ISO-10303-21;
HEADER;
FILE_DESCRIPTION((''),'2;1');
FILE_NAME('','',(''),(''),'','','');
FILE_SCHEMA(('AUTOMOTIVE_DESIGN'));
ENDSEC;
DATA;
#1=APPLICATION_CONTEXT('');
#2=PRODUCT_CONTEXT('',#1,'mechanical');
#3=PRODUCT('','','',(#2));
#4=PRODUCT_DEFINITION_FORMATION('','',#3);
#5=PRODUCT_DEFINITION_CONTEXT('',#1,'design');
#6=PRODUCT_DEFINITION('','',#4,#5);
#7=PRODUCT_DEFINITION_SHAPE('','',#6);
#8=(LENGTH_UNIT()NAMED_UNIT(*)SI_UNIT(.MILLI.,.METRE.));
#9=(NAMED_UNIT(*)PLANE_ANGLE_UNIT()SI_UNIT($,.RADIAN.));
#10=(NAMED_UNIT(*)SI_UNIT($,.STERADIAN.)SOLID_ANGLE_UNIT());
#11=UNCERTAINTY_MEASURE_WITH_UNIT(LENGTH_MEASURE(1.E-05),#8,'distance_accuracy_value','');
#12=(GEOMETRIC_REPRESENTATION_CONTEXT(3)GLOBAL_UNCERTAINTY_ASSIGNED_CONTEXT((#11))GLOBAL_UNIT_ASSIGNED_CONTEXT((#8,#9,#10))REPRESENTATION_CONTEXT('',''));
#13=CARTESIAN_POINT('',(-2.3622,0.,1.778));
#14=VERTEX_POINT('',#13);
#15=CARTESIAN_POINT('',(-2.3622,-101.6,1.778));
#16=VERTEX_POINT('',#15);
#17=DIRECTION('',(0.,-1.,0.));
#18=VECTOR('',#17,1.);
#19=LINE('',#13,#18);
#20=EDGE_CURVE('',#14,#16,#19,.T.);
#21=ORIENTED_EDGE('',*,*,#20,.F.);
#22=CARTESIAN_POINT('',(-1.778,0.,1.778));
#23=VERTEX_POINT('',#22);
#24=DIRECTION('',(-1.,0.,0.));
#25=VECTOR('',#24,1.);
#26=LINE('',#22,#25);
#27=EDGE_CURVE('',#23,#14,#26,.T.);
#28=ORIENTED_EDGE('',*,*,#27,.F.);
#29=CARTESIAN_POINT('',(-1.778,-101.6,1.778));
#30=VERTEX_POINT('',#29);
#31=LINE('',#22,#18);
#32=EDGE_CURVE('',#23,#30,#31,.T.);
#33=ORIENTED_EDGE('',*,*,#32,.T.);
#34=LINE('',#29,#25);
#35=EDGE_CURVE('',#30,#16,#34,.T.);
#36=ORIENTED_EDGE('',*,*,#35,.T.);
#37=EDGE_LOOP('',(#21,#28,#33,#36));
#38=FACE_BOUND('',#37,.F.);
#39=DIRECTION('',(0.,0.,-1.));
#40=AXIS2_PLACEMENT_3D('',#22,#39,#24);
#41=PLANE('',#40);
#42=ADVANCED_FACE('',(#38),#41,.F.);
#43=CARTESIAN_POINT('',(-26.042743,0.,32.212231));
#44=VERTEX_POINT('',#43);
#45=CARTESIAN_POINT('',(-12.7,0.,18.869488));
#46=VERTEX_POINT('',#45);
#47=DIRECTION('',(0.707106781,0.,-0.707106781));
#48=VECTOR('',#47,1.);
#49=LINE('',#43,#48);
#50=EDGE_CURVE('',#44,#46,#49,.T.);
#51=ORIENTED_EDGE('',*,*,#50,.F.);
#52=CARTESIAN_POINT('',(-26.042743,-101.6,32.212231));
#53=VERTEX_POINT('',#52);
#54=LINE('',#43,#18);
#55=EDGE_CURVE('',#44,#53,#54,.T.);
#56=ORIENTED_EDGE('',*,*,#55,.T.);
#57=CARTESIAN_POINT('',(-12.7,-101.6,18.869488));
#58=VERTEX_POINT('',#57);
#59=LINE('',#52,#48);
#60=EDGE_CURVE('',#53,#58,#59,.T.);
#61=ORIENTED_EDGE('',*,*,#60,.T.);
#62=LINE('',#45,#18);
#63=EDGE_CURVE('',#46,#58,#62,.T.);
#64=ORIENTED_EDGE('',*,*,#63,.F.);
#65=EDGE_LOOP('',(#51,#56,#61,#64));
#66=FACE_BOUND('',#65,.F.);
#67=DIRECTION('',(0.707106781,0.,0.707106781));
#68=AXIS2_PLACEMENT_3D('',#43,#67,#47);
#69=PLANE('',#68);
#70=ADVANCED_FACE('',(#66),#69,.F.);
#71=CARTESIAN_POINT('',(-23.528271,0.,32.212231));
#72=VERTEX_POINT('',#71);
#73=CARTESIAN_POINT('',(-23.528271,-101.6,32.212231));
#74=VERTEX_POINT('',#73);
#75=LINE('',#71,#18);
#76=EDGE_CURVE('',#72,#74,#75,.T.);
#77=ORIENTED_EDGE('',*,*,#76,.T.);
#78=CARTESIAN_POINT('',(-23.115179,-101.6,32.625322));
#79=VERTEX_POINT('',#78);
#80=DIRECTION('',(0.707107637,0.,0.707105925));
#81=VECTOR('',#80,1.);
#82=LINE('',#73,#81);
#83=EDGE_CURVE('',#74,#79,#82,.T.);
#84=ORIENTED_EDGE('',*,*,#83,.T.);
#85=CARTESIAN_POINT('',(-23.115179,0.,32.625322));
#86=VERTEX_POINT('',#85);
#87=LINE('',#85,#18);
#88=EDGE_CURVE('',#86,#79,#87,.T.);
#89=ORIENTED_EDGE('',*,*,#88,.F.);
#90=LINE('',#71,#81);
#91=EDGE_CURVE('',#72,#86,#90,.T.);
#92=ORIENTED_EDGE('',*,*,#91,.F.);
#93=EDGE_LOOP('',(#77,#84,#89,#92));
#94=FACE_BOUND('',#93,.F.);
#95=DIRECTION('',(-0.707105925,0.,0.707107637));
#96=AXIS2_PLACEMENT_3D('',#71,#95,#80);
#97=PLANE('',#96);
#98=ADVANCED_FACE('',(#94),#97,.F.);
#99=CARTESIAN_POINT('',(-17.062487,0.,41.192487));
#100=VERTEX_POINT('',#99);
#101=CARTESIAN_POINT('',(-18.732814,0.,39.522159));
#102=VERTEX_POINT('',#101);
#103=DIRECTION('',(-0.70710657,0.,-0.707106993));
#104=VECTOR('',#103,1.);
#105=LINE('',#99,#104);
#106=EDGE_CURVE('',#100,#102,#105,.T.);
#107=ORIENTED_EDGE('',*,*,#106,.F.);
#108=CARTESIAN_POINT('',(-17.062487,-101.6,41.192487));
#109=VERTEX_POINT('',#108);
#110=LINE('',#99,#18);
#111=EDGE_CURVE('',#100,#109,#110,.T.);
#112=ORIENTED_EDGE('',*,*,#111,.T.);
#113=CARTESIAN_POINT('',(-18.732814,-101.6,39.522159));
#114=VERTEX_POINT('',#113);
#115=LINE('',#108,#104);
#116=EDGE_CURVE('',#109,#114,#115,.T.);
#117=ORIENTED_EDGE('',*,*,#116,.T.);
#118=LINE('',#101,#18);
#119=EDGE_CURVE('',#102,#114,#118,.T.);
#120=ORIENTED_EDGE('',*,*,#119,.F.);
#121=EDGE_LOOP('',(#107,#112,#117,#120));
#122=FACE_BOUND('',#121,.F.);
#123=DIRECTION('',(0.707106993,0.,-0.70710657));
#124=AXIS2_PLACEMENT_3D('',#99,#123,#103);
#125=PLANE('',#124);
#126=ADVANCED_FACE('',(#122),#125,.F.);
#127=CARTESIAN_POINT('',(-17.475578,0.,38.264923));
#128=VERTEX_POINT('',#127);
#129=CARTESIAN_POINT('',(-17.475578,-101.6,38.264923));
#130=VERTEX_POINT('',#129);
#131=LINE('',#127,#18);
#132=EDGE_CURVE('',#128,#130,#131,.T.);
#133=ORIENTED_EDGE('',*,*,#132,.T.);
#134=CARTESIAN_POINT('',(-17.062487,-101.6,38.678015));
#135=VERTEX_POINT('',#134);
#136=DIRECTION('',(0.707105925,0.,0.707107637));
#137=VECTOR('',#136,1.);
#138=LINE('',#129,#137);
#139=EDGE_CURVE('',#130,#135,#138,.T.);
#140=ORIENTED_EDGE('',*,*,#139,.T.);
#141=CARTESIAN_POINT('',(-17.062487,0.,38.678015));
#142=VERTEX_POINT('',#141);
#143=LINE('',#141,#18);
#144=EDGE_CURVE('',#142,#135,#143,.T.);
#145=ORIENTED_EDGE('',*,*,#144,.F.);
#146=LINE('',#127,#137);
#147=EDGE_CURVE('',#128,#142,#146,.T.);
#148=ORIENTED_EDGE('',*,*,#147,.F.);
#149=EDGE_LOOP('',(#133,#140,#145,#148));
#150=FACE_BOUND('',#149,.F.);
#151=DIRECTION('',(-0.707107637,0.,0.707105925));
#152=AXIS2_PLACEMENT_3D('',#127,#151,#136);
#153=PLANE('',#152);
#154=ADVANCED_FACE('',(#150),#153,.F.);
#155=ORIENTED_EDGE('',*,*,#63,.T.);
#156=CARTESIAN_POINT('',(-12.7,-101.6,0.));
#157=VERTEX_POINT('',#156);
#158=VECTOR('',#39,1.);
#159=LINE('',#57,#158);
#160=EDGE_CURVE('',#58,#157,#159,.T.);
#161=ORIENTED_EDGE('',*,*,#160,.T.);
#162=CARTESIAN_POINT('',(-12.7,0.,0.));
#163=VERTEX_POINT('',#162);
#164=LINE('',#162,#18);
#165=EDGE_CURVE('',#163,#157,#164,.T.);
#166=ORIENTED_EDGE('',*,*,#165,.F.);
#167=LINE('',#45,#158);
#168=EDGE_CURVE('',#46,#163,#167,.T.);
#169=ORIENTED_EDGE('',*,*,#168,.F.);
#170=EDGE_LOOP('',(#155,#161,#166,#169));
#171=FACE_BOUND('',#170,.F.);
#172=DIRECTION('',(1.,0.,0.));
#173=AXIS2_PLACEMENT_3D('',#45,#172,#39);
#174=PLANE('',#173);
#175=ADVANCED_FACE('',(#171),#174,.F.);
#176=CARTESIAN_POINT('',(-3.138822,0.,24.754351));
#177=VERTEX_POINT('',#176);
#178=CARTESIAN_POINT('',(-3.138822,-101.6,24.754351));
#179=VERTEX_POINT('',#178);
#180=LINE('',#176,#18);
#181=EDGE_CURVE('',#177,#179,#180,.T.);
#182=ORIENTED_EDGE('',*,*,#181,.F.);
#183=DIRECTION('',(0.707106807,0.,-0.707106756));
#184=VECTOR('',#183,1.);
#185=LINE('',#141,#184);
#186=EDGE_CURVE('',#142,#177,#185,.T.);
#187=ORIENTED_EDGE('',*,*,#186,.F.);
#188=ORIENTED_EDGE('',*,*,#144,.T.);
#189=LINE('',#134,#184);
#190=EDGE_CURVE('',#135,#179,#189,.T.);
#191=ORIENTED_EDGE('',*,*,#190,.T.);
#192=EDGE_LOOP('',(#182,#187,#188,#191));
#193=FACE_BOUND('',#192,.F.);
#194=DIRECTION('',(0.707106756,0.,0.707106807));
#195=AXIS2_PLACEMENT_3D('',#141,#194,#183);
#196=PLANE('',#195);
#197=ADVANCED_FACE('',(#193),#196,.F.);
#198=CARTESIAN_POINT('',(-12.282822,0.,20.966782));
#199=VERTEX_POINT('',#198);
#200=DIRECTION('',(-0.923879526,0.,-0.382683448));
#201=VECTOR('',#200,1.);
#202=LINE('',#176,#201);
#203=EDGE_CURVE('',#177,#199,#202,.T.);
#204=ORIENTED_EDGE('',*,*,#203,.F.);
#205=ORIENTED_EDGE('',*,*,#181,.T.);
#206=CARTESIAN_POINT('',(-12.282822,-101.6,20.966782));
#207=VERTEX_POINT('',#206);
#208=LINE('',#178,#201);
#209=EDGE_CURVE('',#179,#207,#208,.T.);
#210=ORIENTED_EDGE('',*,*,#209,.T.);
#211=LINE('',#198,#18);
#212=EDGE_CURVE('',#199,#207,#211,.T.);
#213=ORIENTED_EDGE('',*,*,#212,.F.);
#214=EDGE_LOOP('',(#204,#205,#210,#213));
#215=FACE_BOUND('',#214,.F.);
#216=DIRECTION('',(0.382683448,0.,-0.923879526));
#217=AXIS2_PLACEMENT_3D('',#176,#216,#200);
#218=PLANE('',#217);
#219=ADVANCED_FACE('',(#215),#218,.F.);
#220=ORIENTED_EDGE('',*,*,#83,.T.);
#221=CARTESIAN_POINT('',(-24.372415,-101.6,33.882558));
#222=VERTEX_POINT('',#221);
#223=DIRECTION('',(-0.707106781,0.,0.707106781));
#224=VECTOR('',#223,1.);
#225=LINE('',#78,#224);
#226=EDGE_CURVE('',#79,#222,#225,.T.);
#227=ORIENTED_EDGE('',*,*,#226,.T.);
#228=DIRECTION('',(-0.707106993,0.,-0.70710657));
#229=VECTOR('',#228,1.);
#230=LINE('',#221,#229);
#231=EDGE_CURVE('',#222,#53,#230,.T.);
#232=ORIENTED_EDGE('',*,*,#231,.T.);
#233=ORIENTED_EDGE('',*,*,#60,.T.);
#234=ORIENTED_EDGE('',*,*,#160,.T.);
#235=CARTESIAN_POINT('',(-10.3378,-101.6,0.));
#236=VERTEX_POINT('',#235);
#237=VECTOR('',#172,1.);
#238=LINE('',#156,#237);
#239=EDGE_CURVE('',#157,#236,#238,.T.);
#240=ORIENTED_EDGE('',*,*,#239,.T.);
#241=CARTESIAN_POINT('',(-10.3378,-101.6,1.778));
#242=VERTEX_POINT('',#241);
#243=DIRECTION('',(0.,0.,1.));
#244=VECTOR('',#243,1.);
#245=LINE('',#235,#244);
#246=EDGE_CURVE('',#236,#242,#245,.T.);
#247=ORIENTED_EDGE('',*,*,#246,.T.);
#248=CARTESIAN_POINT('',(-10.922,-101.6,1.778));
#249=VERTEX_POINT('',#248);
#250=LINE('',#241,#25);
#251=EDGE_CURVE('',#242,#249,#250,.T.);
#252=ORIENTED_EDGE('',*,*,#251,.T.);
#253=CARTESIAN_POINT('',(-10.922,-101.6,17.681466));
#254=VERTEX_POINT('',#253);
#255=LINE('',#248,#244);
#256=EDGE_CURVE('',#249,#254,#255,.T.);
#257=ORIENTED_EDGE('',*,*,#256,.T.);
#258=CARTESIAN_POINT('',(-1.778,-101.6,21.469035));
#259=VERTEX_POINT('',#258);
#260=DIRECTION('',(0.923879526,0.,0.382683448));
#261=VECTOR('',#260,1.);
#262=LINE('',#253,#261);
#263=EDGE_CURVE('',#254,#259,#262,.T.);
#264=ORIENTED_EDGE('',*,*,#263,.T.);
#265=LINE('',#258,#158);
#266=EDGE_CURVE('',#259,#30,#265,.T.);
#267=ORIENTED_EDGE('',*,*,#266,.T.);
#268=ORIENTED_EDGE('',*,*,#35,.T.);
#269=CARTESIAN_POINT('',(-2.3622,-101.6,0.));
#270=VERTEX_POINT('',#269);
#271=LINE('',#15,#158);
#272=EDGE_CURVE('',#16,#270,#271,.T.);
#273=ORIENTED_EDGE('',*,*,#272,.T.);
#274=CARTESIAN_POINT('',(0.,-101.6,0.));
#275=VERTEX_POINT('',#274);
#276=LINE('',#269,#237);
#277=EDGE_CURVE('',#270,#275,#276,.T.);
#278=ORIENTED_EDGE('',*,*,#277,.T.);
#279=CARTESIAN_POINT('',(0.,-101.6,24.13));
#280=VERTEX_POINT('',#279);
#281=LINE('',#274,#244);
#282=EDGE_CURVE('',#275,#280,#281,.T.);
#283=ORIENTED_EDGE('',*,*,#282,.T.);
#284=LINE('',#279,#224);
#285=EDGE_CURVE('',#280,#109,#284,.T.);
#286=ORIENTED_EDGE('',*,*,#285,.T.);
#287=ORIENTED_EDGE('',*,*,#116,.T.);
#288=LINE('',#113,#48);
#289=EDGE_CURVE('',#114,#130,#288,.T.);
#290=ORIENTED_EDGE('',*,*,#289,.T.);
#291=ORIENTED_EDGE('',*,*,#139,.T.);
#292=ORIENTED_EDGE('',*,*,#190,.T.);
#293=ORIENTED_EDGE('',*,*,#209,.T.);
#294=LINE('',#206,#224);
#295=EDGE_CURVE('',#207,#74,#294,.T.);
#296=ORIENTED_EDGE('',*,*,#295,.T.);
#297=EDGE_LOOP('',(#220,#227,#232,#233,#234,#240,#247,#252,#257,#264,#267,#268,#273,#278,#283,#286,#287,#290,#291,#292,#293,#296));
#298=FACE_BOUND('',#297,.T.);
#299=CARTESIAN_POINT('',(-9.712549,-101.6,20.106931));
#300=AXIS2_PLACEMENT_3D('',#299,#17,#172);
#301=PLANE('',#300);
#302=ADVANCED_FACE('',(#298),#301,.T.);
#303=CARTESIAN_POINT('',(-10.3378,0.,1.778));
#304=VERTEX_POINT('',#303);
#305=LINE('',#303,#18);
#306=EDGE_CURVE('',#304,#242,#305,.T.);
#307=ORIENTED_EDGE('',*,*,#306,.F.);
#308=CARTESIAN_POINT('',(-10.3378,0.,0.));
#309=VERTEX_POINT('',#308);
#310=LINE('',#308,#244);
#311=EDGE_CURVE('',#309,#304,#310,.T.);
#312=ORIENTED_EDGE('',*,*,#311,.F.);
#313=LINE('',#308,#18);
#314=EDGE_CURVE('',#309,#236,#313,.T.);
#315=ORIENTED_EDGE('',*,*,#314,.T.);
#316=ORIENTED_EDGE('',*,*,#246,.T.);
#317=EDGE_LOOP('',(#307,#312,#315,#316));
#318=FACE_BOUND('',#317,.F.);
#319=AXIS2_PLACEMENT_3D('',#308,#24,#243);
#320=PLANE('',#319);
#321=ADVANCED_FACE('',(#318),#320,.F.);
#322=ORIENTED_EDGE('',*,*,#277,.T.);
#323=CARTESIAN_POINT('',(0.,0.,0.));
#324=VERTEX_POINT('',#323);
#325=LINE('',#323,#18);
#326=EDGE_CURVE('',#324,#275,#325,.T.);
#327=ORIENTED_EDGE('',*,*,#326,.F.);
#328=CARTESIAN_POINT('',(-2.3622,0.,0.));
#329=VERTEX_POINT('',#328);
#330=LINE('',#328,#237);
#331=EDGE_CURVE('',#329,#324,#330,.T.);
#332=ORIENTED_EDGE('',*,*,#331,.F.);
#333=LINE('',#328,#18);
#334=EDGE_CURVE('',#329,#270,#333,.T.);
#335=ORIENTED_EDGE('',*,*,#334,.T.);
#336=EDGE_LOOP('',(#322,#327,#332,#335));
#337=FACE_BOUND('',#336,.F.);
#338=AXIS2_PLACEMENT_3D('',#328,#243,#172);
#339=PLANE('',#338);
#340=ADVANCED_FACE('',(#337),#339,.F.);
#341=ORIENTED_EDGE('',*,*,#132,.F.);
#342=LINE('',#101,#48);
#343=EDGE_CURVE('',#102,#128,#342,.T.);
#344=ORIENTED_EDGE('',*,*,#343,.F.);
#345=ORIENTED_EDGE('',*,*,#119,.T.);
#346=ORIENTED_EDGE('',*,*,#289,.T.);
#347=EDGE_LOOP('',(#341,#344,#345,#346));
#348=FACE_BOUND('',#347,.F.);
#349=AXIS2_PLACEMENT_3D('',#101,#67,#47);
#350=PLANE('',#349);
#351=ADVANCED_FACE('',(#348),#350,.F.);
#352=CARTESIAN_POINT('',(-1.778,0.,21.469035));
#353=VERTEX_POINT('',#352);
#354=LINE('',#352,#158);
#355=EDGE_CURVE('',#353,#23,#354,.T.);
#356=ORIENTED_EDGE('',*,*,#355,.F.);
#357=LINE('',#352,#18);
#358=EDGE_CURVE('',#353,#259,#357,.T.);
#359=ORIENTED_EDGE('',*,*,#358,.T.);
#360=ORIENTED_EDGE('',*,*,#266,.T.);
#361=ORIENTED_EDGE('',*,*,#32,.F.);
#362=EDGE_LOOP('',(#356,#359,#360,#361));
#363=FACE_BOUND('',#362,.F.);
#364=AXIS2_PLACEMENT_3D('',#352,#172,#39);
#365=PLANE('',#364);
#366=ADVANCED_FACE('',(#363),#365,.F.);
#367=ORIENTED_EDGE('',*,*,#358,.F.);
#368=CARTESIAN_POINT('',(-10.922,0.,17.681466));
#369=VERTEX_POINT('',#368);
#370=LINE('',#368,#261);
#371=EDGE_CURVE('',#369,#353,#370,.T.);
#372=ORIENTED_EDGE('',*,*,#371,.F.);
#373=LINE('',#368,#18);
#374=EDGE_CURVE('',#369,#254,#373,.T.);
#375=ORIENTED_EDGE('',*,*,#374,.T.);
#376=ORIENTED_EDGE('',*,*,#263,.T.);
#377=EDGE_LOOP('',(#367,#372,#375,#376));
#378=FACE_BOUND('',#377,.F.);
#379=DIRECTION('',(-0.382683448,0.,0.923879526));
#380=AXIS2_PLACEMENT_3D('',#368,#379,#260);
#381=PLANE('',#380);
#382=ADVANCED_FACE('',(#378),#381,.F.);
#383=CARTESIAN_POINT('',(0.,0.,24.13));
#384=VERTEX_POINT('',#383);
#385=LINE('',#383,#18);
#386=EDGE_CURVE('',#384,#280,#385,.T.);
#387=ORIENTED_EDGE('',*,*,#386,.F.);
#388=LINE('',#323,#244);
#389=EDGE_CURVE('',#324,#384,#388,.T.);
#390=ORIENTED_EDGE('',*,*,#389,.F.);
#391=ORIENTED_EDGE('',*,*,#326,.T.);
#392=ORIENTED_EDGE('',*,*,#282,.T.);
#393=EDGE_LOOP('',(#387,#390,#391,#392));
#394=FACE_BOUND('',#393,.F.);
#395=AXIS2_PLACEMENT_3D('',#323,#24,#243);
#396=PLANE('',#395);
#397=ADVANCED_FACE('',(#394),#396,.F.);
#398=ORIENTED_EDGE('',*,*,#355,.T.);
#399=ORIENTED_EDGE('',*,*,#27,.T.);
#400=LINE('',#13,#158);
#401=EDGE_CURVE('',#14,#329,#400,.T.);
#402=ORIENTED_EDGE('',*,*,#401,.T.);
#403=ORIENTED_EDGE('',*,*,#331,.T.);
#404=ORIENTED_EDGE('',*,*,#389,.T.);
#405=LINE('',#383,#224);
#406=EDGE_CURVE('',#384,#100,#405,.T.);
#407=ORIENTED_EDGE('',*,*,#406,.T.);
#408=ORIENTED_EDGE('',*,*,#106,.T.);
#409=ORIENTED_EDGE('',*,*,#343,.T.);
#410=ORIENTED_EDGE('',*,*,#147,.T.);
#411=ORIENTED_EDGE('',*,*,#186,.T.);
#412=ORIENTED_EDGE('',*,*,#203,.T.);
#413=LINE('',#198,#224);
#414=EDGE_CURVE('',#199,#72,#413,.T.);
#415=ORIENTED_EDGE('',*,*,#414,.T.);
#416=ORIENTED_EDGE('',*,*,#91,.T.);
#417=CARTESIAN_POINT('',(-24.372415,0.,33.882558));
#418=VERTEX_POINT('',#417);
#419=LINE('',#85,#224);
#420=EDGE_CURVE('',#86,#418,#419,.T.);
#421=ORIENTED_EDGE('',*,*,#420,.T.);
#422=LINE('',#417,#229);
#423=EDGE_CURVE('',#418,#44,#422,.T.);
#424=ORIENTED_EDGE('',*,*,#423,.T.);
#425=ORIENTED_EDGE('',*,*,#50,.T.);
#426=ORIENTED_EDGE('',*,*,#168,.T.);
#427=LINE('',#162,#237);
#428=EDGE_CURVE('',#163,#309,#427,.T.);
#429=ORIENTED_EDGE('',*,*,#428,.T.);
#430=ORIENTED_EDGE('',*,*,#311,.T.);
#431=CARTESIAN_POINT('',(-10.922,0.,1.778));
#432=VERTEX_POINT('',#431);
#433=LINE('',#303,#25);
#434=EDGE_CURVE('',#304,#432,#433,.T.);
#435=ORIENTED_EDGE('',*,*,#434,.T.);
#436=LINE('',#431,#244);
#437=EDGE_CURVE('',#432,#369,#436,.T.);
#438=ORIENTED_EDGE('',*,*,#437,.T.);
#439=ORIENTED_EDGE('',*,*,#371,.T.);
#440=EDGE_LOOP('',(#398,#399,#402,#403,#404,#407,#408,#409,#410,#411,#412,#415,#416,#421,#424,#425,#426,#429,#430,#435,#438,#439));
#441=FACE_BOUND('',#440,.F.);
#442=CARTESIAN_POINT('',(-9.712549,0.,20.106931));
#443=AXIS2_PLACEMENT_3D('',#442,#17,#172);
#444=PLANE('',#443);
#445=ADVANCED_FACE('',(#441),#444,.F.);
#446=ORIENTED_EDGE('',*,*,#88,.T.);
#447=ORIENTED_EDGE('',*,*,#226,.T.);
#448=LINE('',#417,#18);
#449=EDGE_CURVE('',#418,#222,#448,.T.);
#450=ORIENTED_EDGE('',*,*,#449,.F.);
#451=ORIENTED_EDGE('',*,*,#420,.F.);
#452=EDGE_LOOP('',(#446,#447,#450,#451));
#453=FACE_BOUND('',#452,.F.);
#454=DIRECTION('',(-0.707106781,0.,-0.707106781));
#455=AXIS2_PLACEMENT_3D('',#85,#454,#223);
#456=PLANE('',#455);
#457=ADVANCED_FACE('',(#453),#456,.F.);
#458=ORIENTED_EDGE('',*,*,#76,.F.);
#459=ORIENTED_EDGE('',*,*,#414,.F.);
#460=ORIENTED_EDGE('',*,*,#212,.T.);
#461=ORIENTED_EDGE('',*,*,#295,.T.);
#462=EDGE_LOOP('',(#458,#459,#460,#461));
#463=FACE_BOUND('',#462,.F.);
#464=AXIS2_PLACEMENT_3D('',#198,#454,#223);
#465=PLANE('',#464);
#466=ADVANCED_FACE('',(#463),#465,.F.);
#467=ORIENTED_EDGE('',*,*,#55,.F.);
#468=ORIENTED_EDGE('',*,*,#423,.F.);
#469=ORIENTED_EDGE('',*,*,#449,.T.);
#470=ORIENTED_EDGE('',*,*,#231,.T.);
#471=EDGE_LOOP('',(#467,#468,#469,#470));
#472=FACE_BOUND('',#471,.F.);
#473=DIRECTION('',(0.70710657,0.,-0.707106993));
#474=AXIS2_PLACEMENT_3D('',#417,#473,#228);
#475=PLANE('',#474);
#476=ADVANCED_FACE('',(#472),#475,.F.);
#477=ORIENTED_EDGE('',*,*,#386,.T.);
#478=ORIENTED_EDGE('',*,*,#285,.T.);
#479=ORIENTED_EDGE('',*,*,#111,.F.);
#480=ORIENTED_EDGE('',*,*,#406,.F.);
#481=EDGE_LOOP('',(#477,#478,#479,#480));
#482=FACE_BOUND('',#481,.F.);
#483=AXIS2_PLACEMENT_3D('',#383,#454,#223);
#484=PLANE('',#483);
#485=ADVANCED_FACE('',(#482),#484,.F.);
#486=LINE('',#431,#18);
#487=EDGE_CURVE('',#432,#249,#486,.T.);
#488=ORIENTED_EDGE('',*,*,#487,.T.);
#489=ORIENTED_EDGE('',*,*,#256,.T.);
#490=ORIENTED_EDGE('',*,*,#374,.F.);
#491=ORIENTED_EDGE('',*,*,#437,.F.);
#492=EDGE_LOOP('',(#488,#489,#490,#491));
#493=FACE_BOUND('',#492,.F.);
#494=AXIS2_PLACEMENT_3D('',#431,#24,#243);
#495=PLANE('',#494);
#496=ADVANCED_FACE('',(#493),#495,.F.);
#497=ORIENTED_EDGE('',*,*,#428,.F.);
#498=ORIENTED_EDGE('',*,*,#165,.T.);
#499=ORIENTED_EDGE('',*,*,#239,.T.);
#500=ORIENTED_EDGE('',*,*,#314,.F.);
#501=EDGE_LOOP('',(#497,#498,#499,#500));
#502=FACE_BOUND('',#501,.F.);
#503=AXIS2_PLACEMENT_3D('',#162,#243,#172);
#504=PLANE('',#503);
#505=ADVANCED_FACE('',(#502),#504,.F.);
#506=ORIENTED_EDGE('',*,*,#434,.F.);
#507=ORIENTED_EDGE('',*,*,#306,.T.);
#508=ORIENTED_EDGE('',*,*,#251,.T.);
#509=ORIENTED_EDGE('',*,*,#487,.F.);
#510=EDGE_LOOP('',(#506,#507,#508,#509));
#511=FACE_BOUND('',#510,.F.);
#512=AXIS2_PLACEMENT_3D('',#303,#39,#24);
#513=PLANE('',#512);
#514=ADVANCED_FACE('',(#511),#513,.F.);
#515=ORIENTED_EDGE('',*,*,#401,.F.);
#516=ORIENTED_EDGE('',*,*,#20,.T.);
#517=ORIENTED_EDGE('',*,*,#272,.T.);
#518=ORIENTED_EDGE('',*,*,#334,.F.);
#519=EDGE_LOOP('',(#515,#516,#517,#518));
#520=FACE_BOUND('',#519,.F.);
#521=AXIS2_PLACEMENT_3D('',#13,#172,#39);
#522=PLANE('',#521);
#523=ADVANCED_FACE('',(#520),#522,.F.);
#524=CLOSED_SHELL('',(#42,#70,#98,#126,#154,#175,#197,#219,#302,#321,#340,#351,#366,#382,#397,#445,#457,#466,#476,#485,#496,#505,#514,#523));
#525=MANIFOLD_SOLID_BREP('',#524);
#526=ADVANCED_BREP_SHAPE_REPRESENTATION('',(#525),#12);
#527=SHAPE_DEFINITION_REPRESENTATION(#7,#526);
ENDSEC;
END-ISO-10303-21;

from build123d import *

# Parameters (mm, degrees)
F1_DEPTH = 101.6


with BuildPart() as f1:
    # F0 (on Front) → F1 (new body)
    with BuildSketch(Plane.XZ):
        Polygon((-2.3622, 0), (0, 0), (0, 24.13), (-17.062487, 41.192487), (-18.732814, 39.522159), (-17.475578, 38.264923), (-17.062487, 38.678015), (-3.138822, 24.754351), (-12.282822, 20.966782), (-23.528271, 32.212231), (-23.115179, 32.625322), (-24.372415, 33.882558), (-26.042743, 32.212231), (-12.7, 18.869488), (-12.7, 0), (-10.3378, 0), (-10.3378, 1.778), (-10.922, 1.778), (-10.922, 17.681466), (-1.778, 21.469035), (-1.778, 1.778), (-2.3622, 1.778), align=None)
    extrude(amount=F1_DEPTH)


solid = f1.part
